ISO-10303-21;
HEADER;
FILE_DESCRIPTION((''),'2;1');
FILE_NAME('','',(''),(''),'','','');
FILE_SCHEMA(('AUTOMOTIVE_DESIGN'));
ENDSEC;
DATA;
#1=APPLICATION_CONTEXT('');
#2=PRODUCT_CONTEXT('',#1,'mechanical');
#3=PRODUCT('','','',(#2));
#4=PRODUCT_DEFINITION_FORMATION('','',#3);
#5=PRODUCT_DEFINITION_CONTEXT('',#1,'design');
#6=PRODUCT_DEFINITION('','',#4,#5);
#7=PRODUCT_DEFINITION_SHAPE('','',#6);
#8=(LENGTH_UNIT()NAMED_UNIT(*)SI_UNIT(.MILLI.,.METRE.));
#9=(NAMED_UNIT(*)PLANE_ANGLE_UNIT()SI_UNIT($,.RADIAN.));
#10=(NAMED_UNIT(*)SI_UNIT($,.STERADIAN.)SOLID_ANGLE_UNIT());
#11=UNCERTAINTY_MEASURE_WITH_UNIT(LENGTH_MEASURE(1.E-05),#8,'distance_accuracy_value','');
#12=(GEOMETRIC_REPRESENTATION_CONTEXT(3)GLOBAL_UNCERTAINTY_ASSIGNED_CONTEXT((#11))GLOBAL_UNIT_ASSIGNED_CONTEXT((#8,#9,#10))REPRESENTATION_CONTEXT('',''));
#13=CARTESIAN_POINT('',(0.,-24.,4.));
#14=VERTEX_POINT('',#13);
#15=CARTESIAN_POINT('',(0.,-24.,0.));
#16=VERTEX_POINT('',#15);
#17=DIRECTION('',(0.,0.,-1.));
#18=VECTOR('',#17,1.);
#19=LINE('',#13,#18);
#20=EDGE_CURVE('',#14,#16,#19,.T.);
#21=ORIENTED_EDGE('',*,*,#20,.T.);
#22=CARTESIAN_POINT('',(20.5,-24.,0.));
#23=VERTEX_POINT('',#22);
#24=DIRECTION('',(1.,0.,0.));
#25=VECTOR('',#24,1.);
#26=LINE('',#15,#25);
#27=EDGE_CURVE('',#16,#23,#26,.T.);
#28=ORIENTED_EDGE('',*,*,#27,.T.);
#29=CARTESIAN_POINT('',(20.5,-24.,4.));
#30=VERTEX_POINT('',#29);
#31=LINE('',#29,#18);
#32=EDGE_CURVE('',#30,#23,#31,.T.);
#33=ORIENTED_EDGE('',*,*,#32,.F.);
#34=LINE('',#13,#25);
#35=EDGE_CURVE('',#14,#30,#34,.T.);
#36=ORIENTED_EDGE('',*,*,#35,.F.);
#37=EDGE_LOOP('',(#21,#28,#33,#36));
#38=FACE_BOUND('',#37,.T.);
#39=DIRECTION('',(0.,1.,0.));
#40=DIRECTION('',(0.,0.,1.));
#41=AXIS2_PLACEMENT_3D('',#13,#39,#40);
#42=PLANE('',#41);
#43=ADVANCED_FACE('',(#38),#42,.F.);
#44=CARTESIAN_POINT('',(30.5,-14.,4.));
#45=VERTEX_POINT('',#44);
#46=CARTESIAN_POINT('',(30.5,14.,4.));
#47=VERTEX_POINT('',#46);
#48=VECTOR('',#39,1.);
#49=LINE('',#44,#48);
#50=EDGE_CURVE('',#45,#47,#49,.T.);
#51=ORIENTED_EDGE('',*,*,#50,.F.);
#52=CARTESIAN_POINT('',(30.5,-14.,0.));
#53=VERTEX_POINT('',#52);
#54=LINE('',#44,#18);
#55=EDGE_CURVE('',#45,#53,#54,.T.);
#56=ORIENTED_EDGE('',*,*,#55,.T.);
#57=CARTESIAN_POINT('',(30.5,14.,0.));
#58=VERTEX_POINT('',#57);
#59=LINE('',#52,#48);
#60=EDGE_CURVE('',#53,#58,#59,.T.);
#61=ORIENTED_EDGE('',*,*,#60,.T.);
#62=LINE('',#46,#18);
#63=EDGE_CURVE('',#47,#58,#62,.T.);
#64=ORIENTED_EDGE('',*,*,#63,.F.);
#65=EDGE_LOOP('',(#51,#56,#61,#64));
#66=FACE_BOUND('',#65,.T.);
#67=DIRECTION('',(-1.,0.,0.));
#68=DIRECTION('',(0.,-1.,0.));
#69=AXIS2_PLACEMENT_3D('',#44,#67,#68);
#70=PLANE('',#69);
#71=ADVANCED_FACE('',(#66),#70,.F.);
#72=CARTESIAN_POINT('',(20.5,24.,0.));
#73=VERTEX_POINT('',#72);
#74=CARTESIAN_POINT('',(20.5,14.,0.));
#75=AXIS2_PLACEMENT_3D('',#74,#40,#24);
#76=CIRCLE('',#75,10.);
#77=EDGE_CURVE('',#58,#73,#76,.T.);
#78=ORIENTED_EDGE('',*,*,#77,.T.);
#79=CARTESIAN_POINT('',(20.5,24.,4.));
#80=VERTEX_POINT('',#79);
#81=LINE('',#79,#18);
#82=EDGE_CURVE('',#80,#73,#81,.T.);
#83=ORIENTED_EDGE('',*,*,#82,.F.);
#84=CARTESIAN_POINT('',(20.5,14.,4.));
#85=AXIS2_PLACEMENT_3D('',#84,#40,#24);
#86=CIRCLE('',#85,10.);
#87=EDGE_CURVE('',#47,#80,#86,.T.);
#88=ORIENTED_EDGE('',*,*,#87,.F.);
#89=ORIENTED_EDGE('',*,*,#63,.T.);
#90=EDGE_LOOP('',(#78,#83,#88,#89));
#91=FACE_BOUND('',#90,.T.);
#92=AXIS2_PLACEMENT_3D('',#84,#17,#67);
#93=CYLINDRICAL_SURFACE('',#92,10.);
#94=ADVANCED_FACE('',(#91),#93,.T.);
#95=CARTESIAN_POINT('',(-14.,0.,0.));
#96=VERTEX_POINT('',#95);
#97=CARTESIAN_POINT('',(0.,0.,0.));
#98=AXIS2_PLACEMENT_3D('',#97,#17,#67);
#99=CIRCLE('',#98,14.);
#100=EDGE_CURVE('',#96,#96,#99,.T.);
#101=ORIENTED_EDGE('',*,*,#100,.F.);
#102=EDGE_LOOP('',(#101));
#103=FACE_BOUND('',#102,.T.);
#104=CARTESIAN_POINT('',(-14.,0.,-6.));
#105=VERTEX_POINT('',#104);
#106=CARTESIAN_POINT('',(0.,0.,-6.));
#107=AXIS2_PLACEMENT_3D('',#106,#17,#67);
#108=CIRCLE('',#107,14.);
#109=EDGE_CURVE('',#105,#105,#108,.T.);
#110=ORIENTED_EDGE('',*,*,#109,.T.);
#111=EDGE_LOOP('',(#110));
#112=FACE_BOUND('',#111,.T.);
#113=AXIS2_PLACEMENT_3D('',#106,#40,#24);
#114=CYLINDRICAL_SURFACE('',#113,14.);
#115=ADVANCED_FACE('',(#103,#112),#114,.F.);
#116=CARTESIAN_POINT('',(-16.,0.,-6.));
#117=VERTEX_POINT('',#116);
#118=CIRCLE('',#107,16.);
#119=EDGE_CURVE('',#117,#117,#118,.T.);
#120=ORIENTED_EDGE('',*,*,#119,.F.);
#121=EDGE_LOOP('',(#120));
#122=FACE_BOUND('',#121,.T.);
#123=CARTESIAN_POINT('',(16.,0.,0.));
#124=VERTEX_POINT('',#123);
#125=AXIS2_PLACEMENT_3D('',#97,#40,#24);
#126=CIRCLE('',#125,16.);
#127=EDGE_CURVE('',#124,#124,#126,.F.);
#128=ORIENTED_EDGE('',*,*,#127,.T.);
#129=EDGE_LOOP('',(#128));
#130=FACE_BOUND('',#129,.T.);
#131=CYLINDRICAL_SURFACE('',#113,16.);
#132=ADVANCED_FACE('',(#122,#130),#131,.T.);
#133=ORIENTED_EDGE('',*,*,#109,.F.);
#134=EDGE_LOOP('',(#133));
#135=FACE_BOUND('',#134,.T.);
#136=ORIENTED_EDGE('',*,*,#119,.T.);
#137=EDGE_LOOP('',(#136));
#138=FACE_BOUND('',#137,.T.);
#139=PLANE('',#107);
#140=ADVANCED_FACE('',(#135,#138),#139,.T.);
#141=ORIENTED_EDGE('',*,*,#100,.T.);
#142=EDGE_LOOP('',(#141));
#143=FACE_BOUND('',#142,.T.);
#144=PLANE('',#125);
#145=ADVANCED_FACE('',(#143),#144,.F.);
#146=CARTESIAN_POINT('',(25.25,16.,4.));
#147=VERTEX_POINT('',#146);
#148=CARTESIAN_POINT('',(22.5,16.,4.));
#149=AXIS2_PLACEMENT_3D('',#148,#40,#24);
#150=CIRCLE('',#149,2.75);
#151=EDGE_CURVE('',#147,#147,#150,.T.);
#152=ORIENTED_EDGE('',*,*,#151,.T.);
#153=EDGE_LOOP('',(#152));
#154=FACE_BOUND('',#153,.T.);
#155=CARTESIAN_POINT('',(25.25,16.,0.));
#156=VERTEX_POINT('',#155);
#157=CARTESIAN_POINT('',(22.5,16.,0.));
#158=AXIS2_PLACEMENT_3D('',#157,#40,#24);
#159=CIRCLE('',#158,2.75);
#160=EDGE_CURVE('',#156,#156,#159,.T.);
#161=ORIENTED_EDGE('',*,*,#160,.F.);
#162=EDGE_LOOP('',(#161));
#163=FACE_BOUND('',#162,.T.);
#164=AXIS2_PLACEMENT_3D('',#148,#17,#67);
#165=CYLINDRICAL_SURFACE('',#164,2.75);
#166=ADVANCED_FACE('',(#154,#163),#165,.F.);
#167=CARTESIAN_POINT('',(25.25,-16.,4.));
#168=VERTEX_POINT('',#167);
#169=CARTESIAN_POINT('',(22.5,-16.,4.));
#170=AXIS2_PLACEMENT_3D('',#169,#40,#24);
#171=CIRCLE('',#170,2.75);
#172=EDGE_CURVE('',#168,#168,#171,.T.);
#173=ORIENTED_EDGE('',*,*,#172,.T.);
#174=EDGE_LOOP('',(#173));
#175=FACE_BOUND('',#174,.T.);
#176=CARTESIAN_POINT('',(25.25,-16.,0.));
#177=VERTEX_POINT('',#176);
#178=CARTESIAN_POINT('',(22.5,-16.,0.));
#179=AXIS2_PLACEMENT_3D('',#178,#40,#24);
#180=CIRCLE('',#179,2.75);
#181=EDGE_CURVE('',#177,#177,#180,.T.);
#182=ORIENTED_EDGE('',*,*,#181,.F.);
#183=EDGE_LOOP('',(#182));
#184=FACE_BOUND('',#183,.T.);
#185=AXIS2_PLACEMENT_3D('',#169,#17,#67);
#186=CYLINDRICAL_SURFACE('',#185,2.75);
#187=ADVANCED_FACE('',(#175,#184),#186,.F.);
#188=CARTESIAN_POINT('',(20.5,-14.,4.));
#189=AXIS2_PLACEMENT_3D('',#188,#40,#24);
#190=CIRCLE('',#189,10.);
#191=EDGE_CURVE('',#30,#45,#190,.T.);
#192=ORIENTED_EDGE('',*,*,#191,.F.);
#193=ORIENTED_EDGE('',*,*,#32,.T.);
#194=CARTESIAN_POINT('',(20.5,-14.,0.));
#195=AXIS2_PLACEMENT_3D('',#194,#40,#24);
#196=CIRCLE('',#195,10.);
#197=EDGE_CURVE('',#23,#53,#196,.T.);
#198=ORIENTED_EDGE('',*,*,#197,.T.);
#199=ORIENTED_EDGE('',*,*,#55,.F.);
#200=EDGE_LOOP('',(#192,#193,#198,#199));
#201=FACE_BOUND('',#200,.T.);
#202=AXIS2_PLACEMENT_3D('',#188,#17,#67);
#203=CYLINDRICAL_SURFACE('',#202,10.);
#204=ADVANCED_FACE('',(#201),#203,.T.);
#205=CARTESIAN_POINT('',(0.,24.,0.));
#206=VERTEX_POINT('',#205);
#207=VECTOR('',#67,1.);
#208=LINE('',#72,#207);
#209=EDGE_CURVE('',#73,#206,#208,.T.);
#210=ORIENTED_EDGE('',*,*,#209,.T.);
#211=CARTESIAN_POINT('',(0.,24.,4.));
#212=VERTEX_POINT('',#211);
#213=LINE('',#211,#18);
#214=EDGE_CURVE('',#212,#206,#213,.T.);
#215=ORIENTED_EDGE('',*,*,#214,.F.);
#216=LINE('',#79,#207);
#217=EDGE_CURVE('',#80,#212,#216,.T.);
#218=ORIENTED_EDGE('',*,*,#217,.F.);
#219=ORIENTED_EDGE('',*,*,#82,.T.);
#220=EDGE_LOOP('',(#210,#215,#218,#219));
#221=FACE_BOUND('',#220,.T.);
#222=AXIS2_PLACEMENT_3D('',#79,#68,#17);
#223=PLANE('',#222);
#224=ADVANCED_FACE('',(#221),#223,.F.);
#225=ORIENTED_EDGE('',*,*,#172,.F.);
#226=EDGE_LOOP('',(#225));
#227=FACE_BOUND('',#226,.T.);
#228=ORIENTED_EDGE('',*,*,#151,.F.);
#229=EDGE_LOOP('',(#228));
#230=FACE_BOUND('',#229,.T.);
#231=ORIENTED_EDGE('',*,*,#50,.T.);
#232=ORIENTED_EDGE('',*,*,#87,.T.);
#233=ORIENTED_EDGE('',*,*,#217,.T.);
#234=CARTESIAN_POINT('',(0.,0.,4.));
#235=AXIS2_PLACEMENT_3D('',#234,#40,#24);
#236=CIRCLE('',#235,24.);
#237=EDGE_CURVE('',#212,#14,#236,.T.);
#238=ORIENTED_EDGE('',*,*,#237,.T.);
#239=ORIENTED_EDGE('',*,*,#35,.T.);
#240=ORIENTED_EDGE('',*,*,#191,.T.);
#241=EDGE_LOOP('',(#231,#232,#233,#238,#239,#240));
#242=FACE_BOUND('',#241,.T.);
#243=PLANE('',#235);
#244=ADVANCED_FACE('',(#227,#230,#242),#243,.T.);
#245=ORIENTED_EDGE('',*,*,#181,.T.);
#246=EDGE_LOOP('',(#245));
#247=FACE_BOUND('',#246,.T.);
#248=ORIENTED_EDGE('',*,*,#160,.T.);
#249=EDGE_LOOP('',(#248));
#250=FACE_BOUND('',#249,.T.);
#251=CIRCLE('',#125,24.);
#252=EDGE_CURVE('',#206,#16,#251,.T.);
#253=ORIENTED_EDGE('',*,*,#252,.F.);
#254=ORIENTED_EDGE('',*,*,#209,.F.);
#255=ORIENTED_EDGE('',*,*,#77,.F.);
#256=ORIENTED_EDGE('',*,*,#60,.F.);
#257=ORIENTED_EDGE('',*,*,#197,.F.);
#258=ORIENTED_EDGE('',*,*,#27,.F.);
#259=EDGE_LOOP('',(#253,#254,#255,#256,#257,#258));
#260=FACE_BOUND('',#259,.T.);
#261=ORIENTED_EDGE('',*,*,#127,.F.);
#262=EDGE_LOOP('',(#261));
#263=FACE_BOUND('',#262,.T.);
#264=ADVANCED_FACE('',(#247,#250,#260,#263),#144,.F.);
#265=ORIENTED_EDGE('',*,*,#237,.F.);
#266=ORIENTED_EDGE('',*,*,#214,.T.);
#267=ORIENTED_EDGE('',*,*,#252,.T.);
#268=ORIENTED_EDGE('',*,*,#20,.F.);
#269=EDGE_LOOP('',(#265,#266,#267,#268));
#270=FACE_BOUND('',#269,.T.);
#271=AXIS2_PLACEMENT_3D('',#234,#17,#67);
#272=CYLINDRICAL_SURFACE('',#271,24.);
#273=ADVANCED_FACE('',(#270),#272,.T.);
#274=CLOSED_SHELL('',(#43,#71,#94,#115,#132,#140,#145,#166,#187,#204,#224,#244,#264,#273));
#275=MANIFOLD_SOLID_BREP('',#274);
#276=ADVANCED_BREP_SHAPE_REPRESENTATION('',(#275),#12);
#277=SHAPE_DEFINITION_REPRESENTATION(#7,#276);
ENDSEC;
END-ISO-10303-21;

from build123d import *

# Parameters (mm, degrees)
SKETCH1_R           = 2.75
BOSS_EXTRUDE1_DEPTH = 4
SKETCH2_R           = 16
SKETCH2_R_2         = 14
BOSS_EXTRUDE2_DEPTH = 6


with BuildPart() as part:
    # Sketch1 → Boss-Extrude1 (new body)
    with BuildSketch(Plane.XY):
        with BuildLine():
            Line((0, -24), (20.5, -24))
            ThreePointArc((20.5, -24), (27.571067812, -21.071067812), (30.5, -14))
            Line((30.5, -14), (30.5, 14))
            ThreePointArc((30.5, 14), (27.571067812, 21.071067812), (20.5, 24))
            Line((20.5, 24), (0, 24))
            ThreePointArc((0, 24), (-24, 0), (0, -24))
        make_face()
        with Locations((22.5, -16)):
            Circle(SKETCH1_R, mode=Mode.SUBTRACT)
        with Locations((22.5, 16)):
            Circle(SKETCH1_R, mode=Mode.SUBTRACT)
    extrude(amount=BOSS_EXTRUDE1_DEPTH)

    # Sketch2 → Boss-Extrude2 (add)
    with BuildSketch(Plane(origin=(0, 0, 0), x_dir=(-1, 0, 0), z_dir=(0, 0, -1))):
        Circle(SKETCH2_R)
        Circle(SKETCH2_R_2, mode=Mode.SUBTRACT)
    extrude(amount=BOSS_EXTRUDE2_DEPTH)


solid = part.part
